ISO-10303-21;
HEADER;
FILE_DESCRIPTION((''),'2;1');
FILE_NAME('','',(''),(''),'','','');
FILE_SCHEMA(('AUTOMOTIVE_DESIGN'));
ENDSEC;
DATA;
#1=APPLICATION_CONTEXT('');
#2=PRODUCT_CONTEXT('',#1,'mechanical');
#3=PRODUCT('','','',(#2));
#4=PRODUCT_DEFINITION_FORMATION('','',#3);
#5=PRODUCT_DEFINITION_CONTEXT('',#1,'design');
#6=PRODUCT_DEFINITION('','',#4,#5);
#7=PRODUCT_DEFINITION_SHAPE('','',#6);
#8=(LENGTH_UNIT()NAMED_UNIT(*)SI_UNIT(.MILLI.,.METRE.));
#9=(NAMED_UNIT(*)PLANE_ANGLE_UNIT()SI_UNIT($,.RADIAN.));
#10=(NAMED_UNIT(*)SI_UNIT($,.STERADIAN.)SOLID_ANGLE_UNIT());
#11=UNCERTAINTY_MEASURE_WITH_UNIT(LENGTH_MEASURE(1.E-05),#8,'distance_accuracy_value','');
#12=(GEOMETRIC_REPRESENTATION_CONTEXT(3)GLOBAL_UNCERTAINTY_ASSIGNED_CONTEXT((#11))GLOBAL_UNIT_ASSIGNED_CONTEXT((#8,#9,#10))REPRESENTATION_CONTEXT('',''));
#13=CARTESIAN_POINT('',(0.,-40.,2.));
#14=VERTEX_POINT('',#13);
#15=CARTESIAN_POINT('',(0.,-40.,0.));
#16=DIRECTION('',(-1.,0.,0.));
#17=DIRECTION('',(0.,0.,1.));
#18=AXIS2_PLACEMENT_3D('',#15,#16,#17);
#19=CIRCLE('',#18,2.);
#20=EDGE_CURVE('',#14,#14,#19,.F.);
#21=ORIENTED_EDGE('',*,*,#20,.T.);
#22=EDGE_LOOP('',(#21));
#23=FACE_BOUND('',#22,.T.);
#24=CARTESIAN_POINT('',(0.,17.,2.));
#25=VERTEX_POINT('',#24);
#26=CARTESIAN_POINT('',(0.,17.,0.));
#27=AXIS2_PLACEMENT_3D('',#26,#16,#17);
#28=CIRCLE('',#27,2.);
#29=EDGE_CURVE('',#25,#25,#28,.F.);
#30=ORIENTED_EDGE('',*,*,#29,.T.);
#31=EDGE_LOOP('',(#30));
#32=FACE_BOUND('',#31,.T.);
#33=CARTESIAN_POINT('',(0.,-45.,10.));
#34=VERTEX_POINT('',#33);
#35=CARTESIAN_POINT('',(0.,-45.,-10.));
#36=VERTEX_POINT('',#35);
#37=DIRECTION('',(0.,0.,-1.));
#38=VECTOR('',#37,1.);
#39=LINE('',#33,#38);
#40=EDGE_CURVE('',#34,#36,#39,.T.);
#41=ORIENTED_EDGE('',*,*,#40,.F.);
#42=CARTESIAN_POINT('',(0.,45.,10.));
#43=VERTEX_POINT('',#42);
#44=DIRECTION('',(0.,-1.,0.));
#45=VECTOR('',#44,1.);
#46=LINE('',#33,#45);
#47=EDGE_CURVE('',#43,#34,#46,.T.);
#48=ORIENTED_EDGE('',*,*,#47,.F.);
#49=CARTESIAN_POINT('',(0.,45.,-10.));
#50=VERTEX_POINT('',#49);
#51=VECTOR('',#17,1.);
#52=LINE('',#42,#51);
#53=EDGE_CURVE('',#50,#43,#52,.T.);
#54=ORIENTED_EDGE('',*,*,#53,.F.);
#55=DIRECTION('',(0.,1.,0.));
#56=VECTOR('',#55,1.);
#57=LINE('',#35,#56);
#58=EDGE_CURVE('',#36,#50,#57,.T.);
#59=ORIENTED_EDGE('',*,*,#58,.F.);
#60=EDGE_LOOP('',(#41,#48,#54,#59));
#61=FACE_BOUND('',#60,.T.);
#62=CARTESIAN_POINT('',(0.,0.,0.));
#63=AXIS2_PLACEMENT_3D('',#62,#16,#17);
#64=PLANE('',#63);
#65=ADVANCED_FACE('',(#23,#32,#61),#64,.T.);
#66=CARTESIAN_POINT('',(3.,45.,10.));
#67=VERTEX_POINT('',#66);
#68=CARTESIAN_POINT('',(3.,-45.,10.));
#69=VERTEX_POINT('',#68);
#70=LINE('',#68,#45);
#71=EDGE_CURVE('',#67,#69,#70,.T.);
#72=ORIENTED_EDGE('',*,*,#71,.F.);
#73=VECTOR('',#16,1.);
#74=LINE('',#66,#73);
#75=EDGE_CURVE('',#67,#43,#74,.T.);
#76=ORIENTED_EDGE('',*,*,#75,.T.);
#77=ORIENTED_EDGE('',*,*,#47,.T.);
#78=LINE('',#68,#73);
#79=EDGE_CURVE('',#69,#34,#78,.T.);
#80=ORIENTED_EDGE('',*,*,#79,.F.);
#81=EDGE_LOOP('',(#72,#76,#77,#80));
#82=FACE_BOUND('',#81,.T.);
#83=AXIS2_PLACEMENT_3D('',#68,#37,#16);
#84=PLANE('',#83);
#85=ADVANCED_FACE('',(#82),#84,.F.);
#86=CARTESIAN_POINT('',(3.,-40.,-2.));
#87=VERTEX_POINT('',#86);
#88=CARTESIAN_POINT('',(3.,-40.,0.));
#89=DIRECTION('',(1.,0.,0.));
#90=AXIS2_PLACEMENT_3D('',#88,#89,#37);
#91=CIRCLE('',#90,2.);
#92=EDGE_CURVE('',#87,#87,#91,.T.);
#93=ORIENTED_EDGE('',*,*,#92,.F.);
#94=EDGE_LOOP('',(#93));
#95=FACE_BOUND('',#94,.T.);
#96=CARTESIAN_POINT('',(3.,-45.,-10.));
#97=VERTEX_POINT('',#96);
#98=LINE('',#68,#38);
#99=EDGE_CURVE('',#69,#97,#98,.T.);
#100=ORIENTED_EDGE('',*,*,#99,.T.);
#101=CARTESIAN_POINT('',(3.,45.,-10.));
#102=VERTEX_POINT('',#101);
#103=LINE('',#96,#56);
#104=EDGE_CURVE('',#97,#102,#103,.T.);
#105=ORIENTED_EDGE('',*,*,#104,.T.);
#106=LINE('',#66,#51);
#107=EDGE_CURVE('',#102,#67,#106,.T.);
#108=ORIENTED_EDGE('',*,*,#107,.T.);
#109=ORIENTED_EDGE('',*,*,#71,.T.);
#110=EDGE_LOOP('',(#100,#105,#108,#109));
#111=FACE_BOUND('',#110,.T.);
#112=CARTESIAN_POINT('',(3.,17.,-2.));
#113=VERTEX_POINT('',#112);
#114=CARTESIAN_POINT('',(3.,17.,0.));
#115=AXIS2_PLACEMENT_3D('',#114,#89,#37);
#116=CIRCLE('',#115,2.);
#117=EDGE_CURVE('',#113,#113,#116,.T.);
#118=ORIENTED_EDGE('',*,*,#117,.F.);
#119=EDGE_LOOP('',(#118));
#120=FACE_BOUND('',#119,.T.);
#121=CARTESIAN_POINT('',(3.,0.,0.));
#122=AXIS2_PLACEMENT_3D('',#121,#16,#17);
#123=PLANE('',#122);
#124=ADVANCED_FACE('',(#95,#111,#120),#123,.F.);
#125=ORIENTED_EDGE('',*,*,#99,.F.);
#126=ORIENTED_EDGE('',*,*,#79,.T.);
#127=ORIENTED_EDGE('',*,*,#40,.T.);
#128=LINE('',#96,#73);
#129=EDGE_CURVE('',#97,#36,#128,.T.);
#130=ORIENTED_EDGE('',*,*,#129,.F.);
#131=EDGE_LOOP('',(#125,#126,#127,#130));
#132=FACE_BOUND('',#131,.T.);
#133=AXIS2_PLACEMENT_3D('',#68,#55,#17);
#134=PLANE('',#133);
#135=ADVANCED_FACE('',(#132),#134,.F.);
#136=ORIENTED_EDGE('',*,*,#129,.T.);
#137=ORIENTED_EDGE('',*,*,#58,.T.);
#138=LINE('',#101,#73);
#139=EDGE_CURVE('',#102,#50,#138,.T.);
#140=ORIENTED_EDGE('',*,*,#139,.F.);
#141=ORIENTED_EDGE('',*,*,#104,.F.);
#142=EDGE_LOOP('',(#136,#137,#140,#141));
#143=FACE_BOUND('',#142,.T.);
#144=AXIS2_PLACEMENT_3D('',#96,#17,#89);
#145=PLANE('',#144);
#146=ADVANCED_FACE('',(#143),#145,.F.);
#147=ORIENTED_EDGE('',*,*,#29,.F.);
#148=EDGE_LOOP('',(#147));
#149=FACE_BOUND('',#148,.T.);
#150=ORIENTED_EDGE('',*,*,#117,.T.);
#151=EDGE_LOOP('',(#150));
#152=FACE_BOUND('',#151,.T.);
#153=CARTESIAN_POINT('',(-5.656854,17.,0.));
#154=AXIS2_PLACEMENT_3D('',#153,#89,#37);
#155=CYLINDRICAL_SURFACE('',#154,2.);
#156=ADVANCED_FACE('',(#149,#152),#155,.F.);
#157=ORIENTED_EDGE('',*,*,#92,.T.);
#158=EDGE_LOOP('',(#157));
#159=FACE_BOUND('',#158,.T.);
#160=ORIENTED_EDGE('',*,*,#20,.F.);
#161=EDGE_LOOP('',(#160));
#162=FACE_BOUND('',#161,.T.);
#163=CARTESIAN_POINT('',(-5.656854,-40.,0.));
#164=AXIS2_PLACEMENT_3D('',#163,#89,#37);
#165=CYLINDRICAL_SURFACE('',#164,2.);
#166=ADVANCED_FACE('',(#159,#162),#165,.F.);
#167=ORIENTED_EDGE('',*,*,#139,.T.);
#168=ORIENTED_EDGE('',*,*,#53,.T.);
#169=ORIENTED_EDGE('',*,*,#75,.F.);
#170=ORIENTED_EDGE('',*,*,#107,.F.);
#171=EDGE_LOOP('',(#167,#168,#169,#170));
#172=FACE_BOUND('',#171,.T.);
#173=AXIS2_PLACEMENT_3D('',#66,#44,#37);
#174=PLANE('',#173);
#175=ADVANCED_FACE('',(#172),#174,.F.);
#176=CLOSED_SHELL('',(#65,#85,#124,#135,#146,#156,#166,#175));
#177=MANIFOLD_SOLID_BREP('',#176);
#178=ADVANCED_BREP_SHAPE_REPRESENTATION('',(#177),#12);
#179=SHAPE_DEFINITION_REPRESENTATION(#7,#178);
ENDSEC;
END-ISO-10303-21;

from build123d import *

# Parameters (mm, degrees)
SKETCH1_W           = 20
SKETCH1_H           = 90
BOSS_EXTRUDE1_DEPTH = 3
SKETCH2_R           = 2
CUT_EXTRUDE1_DEPTH  = 3


with BuildPart() as part:
    # Sketch1 → Boss-Extrude1 (new body)
    with BuildSketch(Plane(origin=(0, 0, 0), x_dir=(0, 0, -1), z_dir=(1, 0, 0))):
        Rectangle(SKETCH1_W, SKETCH1_H)
    extrude(amount=BOSS_EXTRUDE1_DEPTH)

    # Sketch2 → Cut-Extrude1 (cut)
    with BuildSketch(Plane(origin=(3, 0, 0), x_dir=(0, 0, -1), z_dir=(1, 0, 0))):
        with Locations((0, 17)):
            Circle(SKETCH2_R)
        with Locations((0, -40)):
            Circle(SKETCH2_R)
    extrude(amount=-CUT_EXTRUDE1_DEPTH, mode=Mode.SUBTRACT)


solid = part.part
